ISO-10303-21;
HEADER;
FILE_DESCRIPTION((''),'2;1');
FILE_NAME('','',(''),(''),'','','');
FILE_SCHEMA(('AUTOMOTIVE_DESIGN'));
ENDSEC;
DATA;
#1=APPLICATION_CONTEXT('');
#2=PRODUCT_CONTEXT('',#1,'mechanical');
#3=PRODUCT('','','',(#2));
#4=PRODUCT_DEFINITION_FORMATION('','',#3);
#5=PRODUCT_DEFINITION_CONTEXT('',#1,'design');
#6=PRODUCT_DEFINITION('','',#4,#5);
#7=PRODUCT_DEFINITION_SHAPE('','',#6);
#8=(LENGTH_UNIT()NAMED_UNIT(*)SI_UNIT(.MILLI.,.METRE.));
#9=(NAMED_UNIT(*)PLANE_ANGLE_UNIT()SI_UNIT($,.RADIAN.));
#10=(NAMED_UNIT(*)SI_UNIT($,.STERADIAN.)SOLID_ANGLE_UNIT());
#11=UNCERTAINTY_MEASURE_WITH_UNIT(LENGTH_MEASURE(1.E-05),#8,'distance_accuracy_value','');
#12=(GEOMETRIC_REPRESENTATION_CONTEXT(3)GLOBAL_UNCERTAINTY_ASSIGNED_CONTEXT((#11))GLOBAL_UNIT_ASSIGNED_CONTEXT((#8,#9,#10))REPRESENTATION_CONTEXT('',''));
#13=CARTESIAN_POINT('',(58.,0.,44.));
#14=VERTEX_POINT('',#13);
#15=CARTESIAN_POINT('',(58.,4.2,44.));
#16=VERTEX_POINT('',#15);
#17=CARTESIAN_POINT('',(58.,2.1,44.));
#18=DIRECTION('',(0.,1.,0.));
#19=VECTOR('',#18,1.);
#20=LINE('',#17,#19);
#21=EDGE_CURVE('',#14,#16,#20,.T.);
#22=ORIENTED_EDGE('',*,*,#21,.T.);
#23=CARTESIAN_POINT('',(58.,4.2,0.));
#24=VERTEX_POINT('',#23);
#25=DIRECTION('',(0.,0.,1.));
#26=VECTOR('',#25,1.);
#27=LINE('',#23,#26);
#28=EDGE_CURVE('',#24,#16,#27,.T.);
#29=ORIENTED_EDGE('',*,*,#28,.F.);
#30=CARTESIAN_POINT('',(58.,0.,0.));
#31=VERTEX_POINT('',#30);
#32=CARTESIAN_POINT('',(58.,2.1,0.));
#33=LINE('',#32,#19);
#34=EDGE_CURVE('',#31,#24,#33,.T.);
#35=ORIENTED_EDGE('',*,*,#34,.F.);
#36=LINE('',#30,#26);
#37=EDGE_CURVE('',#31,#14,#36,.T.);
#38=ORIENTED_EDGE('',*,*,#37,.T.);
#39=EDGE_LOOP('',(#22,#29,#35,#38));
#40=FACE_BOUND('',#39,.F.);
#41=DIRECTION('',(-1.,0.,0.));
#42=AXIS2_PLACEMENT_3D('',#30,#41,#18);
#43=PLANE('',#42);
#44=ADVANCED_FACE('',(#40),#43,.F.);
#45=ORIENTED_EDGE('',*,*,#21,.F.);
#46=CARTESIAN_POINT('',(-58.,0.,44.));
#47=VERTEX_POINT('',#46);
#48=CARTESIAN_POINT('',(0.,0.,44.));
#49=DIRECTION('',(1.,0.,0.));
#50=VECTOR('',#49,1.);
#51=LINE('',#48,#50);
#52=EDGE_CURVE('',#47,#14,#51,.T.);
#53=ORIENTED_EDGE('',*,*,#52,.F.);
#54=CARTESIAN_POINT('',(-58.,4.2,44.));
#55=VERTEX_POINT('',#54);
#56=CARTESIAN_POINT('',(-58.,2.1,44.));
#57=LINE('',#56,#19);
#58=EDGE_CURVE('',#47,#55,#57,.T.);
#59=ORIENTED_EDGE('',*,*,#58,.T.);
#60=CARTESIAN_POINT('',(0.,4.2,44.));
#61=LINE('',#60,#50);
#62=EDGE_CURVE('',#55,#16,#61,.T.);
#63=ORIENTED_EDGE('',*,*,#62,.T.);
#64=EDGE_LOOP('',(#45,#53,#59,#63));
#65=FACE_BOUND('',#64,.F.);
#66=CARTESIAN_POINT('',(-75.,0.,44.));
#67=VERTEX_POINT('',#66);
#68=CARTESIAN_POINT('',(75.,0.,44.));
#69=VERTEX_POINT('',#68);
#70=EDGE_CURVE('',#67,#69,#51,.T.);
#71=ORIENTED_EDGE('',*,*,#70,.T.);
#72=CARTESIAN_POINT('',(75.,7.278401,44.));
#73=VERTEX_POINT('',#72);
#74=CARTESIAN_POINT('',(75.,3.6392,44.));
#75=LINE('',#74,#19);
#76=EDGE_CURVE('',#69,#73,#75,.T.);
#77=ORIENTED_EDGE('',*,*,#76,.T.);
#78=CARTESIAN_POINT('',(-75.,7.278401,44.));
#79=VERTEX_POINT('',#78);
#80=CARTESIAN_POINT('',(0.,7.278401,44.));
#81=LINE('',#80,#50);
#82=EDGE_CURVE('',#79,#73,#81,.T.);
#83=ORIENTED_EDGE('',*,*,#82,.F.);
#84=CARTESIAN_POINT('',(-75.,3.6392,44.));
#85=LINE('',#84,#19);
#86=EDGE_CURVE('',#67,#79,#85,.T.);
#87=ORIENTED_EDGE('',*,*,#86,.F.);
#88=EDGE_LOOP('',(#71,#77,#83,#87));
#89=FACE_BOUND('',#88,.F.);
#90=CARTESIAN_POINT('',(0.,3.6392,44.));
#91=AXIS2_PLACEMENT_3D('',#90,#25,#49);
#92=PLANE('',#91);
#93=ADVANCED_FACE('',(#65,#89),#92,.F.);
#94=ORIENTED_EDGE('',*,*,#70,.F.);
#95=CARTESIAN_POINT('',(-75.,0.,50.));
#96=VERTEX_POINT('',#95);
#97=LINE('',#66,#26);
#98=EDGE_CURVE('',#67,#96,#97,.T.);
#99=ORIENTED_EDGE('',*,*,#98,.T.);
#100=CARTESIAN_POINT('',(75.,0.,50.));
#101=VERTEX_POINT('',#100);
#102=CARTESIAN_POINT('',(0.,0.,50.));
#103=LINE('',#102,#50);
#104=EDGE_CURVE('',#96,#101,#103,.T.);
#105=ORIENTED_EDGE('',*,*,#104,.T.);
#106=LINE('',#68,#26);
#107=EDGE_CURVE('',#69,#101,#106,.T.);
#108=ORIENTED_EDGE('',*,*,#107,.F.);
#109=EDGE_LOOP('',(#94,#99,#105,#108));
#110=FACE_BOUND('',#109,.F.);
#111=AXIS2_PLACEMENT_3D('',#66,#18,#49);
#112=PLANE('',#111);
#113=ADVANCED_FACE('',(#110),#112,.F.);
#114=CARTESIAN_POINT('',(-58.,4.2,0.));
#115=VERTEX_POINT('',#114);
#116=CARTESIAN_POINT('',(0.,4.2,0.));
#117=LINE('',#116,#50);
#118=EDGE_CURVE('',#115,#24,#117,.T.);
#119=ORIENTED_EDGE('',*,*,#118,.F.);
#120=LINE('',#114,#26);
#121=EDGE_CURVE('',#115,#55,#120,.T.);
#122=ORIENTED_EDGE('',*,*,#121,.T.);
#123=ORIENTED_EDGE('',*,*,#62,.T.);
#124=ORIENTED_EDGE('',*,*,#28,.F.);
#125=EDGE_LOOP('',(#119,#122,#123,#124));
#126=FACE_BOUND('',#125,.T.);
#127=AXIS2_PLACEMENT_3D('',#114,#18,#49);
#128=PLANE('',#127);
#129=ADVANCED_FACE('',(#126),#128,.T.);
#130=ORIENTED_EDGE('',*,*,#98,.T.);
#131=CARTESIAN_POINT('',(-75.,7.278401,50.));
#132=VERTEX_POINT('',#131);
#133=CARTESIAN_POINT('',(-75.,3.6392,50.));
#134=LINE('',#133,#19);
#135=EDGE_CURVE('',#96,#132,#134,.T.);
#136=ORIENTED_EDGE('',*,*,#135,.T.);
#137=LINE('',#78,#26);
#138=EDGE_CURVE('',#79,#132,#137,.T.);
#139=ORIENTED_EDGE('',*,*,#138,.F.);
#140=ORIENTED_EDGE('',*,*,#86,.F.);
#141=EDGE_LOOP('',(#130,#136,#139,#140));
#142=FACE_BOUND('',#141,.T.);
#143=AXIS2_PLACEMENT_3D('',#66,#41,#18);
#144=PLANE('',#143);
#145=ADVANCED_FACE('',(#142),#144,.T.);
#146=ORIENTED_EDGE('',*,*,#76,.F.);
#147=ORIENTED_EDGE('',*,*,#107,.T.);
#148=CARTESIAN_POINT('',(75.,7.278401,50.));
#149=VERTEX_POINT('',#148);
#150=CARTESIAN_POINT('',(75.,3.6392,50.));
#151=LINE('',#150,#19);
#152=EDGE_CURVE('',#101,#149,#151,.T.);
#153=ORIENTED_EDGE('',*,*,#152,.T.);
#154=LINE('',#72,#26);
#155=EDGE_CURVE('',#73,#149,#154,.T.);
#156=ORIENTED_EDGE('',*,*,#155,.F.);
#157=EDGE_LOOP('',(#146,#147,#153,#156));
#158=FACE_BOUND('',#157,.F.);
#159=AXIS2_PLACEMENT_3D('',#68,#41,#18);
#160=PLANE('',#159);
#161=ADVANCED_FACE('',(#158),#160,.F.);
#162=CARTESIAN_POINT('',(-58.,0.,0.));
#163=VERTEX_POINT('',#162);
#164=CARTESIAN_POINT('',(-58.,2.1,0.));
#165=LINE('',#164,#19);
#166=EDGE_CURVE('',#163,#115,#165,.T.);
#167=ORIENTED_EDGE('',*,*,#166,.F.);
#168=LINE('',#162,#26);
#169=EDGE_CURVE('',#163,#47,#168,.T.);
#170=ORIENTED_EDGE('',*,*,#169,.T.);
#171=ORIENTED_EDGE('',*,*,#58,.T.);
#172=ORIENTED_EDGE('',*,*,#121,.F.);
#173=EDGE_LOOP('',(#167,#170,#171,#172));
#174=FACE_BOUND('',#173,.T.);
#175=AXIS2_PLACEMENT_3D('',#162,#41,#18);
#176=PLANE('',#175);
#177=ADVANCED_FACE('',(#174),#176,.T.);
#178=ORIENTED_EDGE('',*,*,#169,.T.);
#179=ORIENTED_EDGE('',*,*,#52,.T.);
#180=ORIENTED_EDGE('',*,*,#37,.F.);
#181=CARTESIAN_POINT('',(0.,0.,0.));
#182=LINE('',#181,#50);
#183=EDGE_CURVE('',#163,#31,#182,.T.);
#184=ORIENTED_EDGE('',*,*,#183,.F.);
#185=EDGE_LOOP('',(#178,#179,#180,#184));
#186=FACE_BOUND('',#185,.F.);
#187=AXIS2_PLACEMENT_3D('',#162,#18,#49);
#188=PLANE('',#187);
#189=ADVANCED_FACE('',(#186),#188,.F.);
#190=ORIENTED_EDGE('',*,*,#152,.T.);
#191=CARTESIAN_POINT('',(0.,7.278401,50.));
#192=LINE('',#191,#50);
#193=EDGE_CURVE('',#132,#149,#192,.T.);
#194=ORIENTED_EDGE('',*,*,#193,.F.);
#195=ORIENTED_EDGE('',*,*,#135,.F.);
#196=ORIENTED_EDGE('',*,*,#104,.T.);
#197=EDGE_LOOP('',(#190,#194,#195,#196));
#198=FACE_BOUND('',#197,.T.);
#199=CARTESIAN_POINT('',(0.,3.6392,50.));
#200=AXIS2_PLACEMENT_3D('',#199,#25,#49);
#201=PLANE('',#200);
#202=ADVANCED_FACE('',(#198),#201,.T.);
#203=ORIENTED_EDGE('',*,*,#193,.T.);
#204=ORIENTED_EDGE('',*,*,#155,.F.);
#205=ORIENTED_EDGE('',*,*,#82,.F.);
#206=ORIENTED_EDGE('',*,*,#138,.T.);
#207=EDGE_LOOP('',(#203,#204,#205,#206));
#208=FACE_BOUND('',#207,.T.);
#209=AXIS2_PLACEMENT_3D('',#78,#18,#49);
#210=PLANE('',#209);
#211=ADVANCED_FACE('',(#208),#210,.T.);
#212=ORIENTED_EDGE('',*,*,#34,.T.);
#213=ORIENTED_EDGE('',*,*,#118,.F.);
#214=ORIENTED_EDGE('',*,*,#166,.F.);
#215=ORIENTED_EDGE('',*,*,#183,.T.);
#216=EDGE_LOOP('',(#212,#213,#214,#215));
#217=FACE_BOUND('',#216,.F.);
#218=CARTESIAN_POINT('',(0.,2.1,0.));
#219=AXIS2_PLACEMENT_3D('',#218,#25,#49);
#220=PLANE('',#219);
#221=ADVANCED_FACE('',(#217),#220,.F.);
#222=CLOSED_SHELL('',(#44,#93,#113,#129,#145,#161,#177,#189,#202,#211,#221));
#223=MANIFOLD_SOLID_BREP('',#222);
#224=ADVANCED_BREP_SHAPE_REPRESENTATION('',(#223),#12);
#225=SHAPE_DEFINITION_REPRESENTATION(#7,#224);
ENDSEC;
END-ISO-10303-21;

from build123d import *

# Parameters (mm, degrees)
SKETCH001_W  = 116
SKETCH001_H  = 4.2
PAD_DEPTH    = 44
SKETCH_W     = 150
SKETCH_H     = 7.278401
PAD001_DEPTH = 6


with BuildPart() as part:
    # Sketch001 → Pad (new body)
    with BuildSketch(Plane.XY):
        with Locations((0, 2.1)):
            Rectangle(SKETCH001_W, SKETCH001_H)
    extrude(amount=PAD_DEPTH)

    # Sketch → Pad001 (new body)
    with BuildSketch(Plane.XY.offset(44)):
        with Locations((0, 3.6392)):
            Rectangle(SKETCH_W, SKETCH_H)
    extrude(amount=PAD001_DEPTH)


solid = part.part
